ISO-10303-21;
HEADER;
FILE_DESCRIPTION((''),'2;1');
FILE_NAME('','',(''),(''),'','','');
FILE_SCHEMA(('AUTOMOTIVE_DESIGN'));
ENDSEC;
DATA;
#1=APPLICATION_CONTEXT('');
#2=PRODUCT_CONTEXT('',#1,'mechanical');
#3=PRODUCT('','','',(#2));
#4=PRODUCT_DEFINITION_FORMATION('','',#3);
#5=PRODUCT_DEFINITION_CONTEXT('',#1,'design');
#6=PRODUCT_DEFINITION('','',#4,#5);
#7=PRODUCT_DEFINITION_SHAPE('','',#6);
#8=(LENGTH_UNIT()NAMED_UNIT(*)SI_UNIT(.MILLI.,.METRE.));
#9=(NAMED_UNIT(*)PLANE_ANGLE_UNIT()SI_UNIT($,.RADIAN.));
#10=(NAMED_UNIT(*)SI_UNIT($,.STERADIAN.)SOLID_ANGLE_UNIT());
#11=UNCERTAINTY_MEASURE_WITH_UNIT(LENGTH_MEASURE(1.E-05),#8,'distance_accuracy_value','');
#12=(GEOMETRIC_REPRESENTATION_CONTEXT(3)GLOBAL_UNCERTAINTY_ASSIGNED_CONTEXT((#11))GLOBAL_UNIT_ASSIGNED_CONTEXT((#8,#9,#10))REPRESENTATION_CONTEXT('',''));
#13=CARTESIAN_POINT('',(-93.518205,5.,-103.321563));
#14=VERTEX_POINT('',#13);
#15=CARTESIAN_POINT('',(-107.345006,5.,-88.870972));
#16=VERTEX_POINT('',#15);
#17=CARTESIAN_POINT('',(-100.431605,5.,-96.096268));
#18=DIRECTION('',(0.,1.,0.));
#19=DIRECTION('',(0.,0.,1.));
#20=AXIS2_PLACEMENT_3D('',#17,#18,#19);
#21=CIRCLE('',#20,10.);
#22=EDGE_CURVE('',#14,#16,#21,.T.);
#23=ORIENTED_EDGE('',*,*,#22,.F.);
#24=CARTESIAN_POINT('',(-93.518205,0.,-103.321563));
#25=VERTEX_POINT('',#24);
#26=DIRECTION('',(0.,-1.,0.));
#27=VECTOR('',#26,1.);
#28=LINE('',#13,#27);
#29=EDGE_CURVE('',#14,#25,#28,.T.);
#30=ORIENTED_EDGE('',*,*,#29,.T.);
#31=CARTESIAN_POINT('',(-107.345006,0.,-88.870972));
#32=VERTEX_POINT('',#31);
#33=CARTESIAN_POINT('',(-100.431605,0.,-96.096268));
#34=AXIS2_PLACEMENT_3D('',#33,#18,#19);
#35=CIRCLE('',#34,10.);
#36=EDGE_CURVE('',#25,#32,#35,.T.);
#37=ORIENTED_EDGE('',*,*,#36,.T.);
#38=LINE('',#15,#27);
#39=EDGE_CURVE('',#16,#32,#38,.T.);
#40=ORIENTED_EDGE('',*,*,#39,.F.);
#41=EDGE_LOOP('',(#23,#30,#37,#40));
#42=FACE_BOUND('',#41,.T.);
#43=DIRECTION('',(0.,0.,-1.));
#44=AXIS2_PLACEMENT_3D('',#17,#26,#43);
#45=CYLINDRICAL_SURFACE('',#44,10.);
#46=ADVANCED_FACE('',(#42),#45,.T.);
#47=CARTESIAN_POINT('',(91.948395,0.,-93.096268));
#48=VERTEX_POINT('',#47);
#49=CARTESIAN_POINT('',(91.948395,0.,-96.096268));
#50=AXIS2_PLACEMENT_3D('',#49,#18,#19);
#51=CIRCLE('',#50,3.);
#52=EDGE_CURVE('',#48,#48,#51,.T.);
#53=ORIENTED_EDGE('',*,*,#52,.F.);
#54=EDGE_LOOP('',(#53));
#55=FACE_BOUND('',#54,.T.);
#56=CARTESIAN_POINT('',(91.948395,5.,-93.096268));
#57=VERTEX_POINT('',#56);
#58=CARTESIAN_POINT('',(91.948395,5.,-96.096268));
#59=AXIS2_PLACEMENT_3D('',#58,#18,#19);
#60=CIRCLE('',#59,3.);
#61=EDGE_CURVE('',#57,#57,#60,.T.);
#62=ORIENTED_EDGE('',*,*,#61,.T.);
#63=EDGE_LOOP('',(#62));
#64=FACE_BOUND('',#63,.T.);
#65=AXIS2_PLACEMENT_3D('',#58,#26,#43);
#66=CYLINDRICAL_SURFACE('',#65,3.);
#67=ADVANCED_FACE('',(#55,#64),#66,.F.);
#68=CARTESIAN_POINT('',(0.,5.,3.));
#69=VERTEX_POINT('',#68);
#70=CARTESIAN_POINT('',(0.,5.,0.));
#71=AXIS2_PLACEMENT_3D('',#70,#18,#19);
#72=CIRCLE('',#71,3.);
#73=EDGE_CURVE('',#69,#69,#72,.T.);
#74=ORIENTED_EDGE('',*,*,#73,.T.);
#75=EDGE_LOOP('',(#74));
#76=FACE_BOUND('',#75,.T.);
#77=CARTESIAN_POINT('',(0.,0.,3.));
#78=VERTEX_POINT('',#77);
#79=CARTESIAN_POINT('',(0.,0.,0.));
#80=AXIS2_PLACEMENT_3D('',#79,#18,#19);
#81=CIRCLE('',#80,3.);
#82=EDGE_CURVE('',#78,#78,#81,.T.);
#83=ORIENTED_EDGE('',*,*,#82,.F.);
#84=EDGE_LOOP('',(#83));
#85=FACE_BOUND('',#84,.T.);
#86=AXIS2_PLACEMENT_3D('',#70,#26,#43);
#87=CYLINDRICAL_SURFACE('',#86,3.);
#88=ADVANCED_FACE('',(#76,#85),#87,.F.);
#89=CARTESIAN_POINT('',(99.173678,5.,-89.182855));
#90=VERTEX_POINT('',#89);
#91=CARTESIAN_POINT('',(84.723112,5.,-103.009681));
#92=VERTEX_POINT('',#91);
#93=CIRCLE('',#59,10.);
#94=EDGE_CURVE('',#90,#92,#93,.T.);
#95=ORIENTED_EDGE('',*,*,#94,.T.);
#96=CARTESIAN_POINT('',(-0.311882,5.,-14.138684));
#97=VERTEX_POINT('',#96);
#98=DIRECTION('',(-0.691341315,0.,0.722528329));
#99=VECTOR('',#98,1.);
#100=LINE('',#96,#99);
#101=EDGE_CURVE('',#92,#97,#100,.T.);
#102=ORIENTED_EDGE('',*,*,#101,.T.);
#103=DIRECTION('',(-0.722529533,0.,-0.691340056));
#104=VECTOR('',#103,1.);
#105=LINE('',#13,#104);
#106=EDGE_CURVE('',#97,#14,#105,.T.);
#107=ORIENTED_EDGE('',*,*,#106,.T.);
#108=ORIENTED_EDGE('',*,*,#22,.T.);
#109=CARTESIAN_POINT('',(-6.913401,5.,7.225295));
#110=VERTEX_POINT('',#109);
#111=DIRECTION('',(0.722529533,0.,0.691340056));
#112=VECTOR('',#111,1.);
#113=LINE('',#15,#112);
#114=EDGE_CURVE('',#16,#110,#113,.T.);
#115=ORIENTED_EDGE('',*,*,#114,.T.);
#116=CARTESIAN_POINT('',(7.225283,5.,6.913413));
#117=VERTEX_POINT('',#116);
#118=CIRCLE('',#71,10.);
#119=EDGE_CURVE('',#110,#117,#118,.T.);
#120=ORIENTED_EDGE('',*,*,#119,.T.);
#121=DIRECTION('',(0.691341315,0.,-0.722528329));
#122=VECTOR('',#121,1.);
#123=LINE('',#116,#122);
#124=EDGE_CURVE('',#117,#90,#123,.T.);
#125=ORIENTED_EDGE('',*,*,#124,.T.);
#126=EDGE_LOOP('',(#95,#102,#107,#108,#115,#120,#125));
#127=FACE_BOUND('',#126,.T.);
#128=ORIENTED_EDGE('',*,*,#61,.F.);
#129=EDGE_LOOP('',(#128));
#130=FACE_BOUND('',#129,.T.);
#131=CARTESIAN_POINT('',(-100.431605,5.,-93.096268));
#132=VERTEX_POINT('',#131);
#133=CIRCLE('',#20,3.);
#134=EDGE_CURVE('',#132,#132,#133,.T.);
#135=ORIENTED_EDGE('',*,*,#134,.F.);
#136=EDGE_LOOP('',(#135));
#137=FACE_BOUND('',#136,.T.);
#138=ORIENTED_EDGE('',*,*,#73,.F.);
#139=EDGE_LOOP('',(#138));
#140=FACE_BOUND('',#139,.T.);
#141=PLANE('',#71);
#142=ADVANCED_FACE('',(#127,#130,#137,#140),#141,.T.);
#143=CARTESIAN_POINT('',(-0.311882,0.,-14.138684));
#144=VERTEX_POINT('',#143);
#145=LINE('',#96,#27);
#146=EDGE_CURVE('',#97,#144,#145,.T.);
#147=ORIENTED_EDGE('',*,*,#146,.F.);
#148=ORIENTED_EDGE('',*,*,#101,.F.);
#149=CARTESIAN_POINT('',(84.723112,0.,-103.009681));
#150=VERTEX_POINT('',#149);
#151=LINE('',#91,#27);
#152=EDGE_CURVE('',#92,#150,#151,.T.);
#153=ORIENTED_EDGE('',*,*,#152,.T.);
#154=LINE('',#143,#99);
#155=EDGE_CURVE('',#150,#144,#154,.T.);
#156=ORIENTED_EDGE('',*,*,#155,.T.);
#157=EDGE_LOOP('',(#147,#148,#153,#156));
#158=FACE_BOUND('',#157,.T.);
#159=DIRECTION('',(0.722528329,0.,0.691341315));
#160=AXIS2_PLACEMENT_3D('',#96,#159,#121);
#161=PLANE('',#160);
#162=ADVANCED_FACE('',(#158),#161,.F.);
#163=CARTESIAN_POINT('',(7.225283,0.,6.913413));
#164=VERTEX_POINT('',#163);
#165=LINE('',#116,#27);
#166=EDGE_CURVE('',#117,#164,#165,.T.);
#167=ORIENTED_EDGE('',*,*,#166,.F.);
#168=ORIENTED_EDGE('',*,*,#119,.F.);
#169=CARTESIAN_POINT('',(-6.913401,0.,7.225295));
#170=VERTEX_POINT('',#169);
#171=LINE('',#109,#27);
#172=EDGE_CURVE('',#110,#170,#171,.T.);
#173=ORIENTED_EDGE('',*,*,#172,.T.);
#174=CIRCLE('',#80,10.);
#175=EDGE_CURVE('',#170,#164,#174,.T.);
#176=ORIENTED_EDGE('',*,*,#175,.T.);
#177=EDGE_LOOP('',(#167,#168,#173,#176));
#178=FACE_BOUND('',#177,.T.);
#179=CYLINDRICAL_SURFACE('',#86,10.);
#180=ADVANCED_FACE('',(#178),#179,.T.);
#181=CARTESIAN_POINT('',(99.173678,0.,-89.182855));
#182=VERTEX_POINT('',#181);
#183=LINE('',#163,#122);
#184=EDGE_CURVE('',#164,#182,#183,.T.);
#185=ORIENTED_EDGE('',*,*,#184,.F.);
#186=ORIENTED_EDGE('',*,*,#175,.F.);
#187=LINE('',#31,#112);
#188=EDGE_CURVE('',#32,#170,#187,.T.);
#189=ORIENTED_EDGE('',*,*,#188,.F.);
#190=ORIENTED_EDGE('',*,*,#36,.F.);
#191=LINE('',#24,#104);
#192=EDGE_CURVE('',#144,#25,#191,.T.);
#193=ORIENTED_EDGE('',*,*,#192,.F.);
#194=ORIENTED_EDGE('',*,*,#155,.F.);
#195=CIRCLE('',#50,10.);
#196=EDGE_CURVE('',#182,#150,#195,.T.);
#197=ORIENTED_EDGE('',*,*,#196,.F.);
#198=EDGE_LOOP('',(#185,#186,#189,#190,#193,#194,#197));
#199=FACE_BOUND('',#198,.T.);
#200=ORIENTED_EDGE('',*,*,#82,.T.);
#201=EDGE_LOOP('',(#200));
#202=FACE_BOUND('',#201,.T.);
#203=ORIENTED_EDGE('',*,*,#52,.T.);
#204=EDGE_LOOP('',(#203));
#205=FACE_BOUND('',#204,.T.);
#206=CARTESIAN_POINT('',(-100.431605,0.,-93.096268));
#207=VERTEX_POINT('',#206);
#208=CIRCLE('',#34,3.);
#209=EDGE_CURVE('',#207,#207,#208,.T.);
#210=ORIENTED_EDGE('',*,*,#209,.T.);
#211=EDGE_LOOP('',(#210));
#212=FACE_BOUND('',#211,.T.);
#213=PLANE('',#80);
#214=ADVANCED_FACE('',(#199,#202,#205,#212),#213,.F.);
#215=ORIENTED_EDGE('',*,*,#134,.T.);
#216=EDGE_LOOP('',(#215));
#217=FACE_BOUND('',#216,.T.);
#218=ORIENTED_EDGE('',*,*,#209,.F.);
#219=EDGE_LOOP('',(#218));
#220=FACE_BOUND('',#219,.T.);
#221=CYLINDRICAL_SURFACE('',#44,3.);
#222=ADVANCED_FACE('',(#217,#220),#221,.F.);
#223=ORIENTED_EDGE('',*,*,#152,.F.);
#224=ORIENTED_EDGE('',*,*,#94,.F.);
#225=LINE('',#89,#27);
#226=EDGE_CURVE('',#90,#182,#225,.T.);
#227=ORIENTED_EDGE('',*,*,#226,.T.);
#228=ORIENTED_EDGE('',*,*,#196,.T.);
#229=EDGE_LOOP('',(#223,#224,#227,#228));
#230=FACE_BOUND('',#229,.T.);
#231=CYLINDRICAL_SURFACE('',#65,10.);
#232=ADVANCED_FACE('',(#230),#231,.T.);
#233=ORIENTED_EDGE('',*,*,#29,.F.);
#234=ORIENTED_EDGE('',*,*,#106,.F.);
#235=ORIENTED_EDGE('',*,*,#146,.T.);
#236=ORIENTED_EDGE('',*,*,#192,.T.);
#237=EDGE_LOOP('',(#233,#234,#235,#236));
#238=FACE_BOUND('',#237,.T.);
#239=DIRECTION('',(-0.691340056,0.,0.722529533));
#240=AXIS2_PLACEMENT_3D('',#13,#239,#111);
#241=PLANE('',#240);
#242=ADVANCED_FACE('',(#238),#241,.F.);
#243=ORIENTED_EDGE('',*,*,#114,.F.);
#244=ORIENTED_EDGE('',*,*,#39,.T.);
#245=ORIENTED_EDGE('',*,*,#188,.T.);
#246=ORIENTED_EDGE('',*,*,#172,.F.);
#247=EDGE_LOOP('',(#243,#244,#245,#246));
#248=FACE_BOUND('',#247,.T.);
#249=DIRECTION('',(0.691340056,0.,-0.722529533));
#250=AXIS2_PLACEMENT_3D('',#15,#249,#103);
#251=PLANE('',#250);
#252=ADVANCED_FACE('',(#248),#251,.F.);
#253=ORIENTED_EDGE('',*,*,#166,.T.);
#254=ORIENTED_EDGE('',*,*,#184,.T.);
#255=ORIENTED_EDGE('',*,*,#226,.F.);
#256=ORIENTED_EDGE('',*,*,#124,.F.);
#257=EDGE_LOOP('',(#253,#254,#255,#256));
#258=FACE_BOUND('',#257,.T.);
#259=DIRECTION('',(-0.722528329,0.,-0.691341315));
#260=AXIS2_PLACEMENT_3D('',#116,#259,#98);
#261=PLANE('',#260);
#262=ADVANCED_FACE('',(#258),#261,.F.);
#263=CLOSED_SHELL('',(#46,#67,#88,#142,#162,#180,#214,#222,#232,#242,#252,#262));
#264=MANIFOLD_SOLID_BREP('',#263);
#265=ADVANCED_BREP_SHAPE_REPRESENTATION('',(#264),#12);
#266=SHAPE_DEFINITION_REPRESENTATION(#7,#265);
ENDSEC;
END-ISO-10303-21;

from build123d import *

# Parameters (mm, degrees)
SKETCH1_R           = 3
BOSS_EXTRUDE2_DEPTH = 5


with BuildPart() as part:
    # Sketch1 → Boss-Extrude2 (new body)
    with BuildSketch(Plane(origin=(0, 0, 0), x_dir=(1, 0, 0), z_dir=(0, 1, 0))):
        with BuildLine():
            Line((-107.345005718, 88.870972468), (-6.913400561, -7.225295335))
            ThreePointArc((-6.913400561, -7.225295335), (0.220534203, -9.997567938), (7.225283293, -6.913413146))
            Line((7.225283293, -6.913413146), (99.173678137, 89.182854657))
            ThreePointArc((99.173678137, 89.182854657), (98.86180799, 103.321551097), (84.72311155, 103.009680949))
            Line((84.72311155, 103.009680949), (-0.311882189, 14.138683855))
            Line((-0.311882189, 14.138683855), (-93.518204595, 103.321563138))
            ThreePointArc((-93.518204595, 103.321563138), (-107.656900491, 103.009668365), (-107.345005718, 88.870972468))
        make_face()
        with Locations((-100.431605156, 96.096267803)):
            Circle(SKETCH1_R, mode=Mode.SUBTRACT)
        with Locations((91.948394844, 96.096267803)):
            Circle(SKETCH1_R, mode=Mode.SUBTRACT)
        Circle(SKETCH1_R, mode=Mode.SUBTRACT)
    extrude(amount=BOSS_EXTRUDE2_DEPTH)


solid = part.part
